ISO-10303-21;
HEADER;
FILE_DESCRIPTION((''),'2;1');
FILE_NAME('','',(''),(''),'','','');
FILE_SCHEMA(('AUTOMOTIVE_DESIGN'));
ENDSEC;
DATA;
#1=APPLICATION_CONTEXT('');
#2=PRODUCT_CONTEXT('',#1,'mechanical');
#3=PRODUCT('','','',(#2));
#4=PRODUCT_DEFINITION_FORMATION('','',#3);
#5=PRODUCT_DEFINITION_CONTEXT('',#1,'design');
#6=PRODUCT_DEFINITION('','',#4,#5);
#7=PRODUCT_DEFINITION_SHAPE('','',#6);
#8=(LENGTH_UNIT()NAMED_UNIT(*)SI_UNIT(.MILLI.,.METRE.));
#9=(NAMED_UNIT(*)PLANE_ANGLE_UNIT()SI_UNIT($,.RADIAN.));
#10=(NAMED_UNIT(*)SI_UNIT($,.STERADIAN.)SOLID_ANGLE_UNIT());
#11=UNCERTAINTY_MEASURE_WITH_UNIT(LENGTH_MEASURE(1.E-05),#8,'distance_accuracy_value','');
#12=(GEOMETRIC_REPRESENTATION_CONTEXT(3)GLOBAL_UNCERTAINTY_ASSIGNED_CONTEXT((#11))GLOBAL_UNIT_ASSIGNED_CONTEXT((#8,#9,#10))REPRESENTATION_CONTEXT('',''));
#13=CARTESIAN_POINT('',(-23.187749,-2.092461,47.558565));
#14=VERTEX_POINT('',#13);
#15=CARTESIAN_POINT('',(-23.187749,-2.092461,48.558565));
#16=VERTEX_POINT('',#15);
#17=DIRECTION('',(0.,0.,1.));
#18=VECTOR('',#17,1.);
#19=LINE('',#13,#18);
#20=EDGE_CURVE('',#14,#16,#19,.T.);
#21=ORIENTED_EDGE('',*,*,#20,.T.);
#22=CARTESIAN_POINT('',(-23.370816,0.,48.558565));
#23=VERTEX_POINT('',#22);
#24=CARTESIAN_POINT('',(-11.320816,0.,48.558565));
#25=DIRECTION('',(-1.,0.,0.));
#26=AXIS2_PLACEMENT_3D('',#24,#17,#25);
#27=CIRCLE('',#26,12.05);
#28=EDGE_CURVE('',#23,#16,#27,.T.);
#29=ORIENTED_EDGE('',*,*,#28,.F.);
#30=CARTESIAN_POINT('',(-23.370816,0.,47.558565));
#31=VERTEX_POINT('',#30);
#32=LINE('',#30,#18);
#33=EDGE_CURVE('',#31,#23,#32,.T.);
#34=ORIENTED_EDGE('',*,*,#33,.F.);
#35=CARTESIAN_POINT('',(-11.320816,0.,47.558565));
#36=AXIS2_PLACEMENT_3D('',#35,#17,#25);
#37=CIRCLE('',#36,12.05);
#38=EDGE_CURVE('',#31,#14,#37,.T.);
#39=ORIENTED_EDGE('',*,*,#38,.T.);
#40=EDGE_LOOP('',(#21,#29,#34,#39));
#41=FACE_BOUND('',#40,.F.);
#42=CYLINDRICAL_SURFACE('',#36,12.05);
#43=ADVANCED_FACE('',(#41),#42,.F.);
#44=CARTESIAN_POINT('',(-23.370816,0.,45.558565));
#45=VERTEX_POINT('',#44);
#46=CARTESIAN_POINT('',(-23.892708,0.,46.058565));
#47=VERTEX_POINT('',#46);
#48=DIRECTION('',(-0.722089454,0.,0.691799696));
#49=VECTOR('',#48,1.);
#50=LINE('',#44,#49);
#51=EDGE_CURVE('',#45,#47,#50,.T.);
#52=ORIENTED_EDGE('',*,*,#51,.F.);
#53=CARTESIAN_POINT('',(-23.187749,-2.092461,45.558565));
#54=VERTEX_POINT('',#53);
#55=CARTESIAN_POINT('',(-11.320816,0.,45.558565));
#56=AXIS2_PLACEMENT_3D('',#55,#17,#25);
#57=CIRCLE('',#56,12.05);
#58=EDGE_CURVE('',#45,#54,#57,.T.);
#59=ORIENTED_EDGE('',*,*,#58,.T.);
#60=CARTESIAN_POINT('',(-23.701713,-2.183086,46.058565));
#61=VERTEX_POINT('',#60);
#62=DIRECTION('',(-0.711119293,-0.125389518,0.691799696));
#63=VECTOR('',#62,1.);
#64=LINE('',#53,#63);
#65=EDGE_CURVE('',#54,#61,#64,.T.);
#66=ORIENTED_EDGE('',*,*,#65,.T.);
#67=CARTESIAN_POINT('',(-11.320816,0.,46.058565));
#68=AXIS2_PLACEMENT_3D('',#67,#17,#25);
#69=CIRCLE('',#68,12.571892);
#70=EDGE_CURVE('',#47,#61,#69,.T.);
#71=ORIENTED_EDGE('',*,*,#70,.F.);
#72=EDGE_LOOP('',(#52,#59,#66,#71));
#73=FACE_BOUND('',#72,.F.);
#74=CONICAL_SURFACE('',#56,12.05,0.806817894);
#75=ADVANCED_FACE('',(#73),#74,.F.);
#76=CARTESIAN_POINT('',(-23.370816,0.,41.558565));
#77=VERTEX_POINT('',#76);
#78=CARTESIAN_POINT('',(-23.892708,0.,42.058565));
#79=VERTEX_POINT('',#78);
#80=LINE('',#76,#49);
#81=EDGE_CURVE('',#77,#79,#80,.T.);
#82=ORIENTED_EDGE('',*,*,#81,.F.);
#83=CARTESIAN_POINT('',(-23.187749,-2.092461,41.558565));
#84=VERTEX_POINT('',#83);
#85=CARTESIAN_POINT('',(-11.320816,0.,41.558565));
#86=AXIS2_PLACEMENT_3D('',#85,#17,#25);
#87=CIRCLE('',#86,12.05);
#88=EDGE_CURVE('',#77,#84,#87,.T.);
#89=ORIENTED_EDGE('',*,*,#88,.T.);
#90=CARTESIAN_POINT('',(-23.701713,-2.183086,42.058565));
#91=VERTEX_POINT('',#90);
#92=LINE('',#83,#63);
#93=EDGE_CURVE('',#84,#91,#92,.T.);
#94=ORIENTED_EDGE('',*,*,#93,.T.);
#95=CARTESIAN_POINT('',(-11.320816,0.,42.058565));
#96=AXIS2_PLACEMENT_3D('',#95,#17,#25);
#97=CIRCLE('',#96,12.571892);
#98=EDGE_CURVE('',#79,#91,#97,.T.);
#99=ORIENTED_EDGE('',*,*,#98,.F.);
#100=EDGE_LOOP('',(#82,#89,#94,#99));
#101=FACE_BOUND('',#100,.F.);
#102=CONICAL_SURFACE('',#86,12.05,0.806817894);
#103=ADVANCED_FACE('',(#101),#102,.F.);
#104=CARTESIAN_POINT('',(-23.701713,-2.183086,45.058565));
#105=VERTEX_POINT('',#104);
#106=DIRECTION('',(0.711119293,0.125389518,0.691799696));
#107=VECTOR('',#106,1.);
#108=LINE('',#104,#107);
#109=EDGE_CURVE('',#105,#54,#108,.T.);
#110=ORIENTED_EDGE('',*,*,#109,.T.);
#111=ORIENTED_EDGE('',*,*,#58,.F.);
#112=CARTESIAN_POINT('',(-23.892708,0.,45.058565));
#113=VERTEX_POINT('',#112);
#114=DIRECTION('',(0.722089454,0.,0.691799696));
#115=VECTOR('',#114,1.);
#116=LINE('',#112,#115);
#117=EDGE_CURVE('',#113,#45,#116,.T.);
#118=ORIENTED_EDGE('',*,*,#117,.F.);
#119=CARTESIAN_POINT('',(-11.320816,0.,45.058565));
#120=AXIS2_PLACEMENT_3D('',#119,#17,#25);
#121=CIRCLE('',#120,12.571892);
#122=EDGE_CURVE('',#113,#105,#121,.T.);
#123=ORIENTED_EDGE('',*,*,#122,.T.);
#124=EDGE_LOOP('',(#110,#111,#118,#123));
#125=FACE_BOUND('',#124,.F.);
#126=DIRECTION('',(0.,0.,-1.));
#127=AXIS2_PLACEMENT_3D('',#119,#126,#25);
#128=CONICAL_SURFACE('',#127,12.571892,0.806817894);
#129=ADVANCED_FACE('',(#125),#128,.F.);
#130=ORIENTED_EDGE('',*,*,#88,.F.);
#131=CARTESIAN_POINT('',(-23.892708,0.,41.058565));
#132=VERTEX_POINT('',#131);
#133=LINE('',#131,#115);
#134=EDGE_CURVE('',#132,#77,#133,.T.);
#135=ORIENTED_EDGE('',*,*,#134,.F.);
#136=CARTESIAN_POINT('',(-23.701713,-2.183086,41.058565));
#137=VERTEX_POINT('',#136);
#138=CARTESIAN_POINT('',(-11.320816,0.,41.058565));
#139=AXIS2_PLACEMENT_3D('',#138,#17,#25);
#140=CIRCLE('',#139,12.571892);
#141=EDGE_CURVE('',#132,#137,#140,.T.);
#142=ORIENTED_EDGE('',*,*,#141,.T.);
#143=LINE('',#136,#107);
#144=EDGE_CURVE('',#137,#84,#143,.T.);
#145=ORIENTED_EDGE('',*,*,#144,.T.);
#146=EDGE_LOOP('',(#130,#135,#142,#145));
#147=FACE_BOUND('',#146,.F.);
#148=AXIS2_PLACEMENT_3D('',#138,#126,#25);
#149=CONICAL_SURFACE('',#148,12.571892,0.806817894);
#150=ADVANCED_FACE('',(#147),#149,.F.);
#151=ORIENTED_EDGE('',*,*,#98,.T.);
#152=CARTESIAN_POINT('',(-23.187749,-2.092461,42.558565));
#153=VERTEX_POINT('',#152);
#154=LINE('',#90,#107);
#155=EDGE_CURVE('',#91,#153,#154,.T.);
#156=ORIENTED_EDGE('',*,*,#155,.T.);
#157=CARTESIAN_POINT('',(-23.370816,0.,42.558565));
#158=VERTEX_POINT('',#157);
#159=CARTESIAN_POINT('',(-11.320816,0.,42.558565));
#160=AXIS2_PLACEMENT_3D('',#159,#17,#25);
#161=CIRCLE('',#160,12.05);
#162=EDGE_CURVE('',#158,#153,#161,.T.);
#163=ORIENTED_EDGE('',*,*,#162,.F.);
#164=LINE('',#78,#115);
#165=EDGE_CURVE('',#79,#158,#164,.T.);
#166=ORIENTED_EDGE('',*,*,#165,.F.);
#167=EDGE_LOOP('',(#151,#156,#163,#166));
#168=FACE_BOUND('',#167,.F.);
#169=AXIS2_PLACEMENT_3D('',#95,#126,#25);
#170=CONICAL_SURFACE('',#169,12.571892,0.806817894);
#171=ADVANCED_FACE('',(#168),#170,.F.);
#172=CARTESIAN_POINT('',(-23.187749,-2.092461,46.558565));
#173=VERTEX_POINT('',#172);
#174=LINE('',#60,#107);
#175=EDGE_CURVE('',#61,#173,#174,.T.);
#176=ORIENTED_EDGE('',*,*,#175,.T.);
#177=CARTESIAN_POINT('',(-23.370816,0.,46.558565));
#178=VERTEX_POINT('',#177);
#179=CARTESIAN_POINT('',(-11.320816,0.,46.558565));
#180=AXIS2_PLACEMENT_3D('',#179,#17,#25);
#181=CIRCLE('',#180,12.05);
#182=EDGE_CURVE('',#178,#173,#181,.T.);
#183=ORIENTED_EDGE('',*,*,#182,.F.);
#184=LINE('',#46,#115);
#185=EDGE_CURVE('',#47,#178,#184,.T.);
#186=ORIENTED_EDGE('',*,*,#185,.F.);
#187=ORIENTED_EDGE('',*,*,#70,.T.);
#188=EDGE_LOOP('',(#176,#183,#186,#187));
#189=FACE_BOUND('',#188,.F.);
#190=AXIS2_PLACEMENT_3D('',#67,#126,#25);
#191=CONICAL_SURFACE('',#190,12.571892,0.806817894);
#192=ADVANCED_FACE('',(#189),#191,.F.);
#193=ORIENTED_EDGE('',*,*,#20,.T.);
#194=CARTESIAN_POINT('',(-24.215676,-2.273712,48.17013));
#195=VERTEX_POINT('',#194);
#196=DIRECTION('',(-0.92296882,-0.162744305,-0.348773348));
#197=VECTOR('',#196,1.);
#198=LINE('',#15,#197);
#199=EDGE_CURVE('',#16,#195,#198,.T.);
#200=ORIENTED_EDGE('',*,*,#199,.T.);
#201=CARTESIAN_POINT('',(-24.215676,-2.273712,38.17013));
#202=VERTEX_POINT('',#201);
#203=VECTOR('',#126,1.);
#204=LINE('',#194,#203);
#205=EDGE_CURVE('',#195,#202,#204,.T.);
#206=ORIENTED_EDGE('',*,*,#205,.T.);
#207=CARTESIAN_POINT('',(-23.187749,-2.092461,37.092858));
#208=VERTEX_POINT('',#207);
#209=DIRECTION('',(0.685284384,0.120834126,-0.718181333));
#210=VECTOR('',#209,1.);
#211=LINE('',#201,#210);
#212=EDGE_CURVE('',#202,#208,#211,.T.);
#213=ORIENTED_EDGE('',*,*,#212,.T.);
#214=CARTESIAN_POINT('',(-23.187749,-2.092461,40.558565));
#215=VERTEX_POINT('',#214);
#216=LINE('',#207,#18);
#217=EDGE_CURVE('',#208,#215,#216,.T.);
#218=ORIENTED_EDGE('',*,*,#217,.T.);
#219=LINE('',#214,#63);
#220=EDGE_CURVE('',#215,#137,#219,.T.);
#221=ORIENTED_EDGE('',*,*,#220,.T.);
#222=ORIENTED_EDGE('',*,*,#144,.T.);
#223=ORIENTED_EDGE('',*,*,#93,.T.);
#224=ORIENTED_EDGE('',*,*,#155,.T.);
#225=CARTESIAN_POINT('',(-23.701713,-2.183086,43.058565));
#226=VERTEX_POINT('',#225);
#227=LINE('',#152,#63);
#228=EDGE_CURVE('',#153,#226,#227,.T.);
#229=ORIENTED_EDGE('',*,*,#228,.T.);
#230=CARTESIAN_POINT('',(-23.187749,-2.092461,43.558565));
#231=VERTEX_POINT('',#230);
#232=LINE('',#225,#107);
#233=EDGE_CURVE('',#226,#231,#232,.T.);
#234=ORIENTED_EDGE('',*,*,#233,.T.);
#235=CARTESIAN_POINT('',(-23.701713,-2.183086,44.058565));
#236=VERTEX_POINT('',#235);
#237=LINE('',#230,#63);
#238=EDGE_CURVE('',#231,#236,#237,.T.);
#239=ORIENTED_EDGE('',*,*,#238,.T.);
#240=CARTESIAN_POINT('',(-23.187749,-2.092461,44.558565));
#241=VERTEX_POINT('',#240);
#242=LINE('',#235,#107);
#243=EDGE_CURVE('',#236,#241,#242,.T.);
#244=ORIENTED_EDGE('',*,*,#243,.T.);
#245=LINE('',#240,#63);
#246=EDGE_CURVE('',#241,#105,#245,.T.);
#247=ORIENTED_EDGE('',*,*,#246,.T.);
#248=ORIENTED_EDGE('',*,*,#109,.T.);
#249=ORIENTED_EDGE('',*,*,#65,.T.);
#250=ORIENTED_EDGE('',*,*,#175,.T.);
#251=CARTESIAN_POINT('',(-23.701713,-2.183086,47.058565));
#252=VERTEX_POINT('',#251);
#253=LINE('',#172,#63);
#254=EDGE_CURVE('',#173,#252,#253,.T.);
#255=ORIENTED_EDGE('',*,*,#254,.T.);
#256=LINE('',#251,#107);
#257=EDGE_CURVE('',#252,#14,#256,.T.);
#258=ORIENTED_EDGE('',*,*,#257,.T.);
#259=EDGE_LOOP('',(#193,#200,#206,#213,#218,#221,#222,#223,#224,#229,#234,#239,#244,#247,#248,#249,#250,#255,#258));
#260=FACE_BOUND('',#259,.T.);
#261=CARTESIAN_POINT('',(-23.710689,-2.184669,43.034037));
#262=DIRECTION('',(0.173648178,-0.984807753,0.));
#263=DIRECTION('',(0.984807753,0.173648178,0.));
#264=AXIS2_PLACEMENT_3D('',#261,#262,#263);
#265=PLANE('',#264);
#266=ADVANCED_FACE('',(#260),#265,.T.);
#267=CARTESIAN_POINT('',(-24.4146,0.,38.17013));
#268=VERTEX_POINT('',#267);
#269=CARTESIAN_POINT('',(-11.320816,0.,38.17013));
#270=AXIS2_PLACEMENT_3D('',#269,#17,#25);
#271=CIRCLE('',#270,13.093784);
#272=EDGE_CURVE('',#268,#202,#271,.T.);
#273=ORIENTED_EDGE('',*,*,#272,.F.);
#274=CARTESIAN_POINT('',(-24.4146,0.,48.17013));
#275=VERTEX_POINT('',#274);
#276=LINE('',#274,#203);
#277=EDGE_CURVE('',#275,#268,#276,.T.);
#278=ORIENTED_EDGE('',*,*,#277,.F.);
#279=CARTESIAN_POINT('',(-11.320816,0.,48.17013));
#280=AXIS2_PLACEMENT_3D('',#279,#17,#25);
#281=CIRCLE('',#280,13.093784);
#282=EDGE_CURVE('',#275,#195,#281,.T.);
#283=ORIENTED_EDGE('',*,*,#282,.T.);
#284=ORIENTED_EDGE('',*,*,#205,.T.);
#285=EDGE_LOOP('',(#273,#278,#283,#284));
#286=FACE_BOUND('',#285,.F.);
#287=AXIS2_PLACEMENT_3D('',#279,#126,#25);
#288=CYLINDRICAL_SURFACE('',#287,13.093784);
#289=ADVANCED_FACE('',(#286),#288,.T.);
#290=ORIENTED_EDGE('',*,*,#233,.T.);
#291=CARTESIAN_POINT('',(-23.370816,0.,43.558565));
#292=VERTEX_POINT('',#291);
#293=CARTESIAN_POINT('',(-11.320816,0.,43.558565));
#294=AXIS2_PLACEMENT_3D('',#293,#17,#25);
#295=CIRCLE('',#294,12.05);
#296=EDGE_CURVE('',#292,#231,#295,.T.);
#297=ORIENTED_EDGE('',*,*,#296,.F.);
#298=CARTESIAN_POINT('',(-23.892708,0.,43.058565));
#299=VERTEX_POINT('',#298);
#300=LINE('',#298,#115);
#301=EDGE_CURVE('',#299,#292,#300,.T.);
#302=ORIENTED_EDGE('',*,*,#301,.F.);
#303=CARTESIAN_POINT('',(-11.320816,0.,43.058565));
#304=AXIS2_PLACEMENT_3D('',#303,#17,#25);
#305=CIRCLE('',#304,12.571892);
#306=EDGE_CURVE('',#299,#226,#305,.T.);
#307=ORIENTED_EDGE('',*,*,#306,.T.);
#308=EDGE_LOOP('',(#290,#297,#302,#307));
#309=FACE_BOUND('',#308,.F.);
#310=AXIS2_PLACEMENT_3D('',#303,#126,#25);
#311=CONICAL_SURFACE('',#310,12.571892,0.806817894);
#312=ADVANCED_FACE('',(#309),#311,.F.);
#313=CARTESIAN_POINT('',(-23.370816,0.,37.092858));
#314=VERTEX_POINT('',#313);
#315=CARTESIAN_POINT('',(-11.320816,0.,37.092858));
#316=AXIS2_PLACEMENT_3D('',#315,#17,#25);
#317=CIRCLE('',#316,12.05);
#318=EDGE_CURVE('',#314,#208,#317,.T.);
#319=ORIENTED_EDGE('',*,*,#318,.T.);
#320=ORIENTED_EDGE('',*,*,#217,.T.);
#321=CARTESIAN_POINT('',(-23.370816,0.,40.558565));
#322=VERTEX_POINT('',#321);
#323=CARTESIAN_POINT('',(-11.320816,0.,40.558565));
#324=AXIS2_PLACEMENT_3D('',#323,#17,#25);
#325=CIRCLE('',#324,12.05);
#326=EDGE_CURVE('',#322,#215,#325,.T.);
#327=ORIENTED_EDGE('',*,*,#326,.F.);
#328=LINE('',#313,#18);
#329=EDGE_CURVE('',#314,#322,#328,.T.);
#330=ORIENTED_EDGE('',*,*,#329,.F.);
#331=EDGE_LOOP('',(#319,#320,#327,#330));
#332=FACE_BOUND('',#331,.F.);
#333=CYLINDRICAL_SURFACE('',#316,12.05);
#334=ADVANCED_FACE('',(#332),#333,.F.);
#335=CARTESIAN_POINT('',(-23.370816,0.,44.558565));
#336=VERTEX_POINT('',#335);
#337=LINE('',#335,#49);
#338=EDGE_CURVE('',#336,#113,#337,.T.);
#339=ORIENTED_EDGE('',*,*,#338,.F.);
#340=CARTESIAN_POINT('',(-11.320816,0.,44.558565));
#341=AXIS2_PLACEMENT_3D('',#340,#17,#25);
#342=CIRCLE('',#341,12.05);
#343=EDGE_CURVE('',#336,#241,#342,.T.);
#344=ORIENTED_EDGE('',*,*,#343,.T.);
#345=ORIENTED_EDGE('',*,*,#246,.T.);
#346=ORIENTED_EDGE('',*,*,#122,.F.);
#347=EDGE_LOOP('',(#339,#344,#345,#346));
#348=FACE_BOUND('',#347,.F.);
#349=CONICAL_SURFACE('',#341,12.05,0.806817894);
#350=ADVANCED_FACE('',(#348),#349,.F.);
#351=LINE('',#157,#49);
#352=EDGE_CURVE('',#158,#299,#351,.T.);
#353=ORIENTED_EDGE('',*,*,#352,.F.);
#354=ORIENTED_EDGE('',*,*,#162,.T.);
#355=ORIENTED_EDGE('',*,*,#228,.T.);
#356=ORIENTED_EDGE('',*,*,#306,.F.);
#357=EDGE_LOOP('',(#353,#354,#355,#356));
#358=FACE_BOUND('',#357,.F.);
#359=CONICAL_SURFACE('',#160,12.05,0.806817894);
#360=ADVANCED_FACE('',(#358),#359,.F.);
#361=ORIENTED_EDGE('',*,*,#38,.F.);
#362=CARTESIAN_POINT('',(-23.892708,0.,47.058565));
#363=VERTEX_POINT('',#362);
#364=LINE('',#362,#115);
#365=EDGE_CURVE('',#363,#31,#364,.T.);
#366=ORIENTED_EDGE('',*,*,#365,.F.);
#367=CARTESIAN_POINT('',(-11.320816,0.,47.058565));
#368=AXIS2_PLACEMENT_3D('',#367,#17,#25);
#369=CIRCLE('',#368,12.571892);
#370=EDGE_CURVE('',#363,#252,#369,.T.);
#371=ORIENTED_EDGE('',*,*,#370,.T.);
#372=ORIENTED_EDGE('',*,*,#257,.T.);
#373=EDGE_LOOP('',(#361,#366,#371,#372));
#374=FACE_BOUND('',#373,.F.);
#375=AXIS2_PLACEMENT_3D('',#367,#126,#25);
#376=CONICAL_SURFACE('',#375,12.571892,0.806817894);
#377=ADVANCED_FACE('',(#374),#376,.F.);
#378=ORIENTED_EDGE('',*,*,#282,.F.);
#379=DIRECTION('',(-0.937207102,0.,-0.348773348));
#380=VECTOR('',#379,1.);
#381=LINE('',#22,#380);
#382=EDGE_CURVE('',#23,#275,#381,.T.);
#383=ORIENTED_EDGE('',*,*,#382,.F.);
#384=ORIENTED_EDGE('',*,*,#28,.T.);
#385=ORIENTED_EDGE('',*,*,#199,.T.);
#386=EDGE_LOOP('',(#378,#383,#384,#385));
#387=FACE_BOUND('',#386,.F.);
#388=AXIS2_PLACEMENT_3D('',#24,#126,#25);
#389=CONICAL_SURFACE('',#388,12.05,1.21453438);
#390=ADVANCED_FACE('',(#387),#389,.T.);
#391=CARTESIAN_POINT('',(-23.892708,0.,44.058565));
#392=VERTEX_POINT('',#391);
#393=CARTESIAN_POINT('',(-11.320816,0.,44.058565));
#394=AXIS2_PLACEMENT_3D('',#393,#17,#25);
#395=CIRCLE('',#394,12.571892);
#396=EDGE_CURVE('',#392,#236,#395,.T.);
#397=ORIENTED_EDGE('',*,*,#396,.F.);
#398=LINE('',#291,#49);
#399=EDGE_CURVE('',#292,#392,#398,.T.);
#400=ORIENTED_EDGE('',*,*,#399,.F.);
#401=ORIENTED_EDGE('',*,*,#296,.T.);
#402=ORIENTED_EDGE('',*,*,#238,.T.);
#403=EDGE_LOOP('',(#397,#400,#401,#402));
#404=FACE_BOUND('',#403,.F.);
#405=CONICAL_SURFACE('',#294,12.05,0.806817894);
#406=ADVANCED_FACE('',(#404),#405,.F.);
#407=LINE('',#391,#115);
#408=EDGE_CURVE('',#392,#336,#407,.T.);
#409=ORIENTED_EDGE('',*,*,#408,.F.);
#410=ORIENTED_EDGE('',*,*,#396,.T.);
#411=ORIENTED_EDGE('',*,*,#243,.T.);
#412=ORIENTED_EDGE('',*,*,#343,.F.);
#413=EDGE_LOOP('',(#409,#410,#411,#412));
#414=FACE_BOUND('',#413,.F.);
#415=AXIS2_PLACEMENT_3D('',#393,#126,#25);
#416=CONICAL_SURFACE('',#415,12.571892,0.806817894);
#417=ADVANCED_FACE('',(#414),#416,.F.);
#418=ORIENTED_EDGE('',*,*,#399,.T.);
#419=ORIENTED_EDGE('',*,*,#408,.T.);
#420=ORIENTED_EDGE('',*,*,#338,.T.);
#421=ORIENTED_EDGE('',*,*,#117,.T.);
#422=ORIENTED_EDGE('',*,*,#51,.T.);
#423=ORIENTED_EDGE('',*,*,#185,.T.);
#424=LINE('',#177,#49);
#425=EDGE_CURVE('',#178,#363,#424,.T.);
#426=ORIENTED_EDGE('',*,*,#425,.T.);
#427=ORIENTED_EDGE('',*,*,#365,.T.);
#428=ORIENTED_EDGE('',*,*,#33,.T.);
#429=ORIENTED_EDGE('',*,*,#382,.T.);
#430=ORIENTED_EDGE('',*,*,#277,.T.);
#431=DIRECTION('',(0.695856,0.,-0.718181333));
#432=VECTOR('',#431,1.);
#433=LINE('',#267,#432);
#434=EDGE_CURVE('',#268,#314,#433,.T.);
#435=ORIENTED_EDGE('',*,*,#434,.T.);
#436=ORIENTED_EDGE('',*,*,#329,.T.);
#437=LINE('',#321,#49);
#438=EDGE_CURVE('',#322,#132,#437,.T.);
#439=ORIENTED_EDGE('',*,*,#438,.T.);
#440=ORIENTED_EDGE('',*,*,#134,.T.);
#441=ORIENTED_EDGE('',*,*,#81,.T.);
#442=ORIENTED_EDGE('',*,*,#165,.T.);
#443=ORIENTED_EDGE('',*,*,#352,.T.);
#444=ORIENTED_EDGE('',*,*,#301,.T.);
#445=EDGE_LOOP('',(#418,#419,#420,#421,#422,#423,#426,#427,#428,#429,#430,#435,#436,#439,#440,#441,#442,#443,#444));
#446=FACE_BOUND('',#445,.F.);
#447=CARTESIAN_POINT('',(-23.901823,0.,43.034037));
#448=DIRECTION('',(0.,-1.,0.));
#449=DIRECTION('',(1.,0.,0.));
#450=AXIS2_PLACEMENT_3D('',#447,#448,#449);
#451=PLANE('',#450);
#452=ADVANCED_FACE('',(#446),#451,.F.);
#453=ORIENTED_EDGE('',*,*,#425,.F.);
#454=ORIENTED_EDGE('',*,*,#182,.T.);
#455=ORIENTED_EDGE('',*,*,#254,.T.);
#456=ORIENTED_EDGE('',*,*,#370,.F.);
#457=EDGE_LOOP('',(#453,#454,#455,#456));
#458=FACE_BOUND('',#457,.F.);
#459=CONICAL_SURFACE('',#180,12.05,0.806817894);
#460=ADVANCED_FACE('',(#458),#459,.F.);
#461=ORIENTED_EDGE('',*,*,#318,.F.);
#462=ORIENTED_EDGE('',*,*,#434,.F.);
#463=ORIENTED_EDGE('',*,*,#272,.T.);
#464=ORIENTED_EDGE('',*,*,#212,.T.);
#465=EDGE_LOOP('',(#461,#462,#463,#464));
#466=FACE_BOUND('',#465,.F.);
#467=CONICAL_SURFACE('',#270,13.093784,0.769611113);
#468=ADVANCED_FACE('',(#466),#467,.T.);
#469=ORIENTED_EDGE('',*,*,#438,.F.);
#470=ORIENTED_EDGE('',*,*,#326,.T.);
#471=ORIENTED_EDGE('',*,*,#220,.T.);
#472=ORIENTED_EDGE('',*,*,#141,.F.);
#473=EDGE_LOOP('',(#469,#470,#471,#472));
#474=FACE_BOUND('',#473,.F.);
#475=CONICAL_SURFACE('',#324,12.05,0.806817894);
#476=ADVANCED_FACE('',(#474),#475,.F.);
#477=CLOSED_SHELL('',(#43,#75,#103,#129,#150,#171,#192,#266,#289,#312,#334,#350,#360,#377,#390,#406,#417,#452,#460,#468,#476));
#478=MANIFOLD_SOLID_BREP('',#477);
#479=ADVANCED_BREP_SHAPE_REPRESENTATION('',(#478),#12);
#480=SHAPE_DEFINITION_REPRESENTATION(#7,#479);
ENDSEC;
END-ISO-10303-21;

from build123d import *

# Parameters (mm, degrees)
F1_ANGLE = 10


with BuildPart() as f1:
    # F0 (on Front) → F1 (revolve)
    with BuildSketch(Plane.XZ):
        Polygon((-23.370816, 48.558565), (-24.4146, 48.17013), (-24.4146, 38.17013), (-23.370816, 37.092858), (-23.370816, 40.558565), (-23.892708, 41.058565), (-23.370816, 41.558565), (-23.892708, 42.058565), (-23.370816, 42.558565), (-23.892708, 43.058565), (-23.370816, 43.558565), (-23.892708, 44.058565), (-23.370816, 44.558565), (-23.892708, 45.058565), (-23.370816, 45.558565), (-23.892708, 46.058565), (-23.370816, 46.558565), (-23.892708, 47.058565), (-23.370816, 47.558565), align=None)
    revolve(axis=Axis((-11.320816, 0, 45.976719), (0, 0, 1)), revolution_arc=F1_ANGLE)


solid = f1.part
